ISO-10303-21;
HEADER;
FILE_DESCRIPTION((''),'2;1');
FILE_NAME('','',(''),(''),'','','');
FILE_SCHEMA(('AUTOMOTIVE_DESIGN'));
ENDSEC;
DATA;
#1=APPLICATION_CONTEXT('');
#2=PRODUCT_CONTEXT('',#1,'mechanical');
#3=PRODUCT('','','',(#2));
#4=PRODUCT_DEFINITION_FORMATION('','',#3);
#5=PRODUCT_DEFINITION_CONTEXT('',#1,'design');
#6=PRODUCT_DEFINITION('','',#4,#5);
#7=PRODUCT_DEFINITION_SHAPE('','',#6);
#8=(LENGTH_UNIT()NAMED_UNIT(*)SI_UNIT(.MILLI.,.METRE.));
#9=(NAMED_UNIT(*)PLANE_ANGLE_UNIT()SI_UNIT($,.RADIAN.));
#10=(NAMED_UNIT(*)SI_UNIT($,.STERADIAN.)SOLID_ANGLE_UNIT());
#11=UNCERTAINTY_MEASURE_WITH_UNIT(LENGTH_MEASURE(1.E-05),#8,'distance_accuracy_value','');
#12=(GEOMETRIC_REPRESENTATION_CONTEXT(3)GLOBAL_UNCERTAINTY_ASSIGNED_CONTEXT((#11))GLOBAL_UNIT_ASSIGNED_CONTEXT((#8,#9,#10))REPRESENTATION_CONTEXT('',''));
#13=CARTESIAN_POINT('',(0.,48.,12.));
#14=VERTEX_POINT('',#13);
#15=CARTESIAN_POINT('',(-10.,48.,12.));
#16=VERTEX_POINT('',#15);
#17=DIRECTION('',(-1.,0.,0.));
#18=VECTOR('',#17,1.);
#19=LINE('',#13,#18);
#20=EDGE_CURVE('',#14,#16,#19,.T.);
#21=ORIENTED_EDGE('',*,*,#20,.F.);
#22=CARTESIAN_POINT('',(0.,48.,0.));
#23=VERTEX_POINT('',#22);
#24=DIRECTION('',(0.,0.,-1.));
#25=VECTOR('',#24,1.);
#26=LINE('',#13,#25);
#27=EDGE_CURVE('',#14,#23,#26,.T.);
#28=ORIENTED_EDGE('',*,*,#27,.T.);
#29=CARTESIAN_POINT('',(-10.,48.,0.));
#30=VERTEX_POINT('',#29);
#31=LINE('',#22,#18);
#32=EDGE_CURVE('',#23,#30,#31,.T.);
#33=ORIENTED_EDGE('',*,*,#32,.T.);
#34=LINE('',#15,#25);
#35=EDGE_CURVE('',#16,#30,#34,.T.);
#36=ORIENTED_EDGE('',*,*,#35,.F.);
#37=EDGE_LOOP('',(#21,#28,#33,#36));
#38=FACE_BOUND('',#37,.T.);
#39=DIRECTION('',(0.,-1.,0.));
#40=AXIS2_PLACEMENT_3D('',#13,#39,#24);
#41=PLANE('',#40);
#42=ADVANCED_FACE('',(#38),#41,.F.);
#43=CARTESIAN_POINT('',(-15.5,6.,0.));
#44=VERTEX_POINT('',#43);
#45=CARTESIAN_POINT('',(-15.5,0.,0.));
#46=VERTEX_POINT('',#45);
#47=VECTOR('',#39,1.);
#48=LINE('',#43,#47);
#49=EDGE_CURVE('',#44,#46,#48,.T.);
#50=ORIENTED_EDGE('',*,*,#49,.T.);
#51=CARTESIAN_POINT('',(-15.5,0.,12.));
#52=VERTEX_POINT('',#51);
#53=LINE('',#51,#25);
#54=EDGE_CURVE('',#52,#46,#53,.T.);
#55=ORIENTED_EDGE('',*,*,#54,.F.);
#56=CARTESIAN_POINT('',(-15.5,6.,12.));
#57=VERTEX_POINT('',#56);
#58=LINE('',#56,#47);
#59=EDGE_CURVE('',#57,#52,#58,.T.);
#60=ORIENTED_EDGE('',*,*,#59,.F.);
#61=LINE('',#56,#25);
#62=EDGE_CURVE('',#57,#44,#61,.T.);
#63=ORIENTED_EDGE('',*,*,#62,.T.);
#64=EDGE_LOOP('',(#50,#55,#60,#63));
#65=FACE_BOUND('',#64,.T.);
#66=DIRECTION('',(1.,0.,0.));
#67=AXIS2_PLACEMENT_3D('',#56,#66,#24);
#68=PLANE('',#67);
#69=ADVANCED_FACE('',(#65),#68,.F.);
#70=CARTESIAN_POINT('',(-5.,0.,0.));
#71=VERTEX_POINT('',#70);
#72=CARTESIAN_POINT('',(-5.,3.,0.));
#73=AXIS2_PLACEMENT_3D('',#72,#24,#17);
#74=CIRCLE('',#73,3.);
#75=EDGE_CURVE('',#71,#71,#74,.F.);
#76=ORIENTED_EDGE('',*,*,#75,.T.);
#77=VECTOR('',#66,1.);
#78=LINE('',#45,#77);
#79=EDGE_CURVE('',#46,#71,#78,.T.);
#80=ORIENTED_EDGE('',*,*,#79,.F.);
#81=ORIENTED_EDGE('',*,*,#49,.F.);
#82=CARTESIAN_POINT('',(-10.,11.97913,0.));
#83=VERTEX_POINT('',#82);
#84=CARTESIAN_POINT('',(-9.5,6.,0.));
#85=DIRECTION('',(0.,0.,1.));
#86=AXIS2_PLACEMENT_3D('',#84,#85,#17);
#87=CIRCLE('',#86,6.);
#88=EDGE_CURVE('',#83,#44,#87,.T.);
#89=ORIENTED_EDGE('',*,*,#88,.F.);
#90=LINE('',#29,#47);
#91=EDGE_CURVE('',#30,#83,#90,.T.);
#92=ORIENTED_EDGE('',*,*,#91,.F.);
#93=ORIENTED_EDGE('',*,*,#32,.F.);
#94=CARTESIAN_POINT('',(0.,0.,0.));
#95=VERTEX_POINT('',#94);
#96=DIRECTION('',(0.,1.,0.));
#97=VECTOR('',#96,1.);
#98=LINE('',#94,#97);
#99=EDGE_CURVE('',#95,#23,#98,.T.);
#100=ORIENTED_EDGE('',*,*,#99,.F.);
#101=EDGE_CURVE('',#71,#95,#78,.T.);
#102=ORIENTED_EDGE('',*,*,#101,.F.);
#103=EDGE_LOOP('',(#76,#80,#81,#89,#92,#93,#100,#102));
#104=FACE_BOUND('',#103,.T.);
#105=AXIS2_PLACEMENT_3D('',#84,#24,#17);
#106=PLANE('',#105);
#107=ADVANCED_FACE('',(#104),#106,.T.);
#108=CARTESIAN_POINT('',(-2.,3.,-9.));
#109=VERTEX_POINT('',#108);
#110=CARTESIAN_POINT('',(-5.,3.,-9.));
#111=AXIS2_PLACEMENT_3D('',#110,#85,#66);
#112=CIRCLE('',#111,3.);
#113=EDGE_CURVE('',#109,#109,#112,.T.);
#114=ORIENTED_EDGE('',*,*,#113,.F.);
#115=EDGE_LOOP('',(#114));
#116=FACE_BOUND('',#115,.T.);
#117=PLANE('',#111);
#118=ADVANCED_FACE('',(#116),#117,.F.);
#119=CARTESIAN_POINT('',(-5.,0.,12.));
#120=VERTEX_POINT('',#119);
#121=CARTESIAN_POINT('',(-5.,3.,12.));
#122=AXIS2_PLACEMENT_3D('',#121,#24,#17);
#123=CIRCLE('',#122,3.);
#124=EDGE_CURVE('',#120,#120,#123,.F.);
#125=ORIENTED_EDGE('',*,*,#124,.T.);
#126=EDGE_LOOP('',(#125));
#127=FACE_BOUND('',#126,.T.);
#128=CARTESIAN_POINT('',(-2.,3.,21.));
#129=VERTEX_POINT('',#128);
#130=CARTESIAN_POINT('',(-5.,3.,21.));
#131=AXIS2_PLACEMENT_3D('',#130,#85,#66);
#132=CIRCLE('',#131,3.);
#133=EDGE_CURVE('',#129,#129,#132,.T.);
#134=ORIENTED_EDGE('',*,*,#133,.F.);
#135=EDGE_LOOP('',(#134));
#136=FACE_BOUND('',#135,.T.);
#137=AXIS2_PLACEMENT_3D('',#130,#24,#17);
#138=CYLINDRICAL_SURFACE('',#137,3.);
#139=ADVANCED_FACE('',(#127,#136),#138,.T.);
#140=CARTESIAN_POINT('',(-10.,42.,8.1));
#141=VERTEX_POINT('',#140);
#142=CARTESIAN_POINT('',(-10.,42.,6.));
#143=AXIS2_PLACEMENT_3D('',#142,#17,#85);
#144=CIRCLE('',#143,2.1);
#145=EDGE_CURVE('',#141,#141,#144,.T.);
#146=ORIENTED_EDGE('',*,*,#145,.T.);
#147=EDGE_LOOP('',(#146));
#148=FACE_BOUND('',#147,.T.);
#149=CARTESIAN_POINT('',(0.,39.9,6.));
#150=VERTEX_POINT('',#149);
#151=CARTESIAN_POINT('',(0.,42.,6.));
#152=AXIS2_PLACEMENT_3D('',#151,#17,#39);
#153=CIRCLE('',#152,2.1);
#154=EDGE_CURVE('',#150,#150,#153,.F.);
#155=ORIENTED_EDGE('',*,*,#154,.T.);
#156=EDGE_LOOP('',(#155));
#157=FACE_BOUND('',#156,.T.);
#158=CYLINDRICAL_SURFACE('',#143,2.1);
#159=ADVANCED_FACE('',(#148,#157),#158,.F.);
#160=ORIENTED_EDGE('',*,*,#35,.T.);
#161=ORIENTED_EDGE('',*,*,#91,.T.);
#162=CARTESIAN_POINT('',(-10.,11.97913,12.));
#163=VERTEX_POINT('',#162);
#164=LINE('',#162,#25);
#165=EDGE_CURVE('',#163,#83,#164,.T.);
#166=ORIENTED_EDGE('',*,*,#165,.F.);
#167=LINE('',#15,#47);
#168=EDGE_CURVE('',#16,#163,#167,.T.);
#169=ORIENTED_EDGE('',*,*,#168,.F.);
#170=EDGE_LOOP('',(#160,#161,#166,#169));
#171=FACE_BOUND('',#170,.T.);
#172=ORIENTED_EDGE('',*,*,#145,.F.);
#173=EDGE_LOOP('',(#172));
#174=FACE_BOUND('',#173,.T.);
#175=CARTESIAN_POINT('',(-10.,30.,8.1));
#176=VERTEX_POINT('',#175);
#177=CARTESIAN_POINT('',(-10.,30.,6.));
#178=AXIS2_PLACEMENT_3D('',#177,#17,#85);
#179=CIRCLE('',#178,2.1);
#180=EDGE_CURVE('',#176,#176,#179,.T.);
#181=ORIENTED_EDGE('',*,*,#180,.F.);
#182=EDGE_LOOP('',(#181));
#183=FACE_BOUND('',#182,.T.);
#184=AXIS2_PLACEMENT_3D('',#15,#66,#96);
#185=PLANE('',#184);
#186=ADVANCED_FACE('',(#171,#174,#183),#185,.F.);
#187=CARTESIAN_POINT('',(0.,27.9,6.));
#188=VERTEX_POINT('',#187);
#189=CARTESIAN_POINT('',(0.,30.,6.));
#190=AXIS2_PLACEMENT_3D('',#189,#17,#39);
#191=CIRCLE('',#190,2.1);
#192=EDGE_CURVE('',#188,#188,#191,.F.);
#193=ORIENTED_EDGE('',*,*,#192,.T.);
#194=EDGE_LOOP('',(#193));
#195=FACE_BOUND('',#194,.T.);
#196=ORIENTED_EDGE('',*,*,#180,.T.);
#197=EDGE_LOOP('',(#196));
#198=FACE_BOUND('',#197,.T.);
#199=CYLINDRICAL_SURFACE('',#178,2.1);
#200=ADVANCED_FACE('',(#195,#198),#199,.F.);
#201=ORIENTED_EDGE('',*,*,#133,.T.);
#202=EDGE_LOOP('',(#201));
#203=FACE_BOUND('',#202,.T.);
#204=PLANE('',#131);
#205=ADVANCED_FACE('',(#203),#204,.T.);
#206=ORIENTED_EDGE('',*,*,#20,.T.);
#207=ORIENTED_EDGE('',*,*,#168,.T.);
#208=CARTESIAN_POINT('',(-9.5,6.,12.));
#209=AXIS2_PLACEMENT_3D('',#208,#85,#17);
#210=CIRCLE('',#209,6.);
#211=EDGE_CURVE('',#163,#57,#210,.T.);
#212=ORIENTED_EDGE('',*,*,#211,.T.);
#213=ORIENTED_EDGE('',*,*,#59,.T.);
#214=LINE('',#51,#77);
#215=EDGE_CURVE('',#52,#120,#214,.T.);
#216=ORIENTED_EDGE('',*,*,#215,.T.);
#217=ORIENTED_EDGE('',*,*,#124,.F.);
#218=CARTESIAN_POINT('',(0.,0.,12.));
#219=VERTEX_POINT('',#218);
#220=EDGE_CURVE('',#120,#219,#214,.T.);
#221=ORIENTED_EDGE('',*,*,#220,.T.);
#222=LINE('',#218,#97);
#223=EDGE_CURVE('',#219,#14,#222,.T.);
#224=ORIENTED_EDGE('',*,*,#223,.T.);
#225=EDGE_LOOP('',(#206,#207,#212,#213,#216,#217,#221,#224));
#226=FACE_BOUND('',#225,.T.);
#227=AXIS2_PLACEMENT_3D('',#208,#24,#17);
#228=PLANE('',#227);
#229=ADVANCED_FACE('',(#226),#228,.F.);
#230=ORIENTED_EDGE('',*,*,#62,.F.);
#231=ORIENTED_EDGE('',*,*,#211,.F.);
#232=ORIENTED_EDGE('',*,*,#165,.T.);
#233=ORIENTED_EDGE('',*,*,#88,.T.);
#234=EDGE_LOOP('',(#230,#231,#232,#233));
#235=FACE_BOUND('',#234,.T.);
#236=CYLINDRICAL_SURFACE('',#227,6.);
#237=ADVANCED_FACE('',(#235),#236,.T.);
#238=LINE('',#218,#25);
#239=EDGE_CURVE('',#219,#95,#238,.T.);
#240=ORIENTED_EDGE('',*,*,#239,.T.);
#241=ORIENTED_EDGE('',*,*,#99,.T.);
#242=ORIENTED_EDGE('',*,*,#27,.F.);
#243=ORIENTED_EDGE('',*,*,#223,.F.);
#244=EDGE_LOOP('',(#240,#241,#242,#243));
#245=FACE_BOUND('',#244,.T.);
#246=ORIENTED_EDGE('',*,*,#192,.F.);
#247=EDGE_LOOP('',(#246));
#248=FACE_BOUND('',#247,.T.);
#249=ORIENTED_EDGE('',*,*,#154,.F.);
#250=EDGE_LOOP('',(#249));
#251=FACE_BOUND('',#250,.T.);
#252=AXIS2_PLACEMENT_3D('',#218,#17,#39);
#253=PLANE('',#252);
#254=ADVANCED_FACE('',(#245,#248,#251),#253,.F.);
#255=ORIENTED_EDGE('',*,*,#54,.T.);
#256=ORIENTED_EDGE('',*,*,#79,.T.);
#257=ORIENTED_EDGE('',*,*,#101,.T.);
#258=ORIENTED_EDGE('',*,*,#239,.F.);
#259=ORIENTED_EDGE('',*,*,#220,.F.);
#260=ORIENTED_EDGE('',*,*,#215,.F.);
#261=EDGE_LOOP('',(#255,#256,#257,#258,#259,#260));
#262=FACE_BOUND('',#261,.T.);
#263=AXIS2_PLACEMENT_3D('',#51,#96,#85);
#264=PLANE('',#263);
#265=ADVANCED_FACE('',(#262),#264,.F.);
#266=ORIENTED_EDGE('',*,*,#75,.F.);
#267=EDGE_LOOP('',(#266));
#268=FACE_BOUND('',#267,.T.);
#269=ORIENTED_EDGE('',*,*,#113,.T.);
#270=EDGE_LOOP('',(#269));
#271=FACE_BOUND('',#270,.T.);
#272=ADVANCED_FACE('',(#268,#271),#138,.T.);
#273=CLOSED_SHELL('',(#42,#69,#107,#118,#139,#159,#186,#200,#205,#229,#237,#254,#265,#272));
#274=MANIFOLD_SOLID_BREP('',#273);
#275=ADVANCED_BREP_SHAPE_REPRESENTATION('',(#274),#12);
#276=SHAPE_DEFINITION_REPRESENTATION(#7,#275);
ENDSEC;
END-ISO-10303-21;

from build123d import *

# Parameters (mm, degrees)
BASE_EXTRUDE_DEPTH = 12
SKETCH4_R          = 3
PIVOTPIN_DEPTH     = 15
M5_X_0_8_1_D       = 4.2
M5_X_0_8_1_DEPTH   = 12
M5_X_0_8_1_TIP     = 1.2618073
M5_DRILLED2_D      = 4.2
M5_DRILLED2_DEPTH  = 12
M5_DRILLED2_TIP    = 1.2618073


with BuildPart() as part:
    # Sketch3 → Base-Extrude (new body)
    with BuildSketch(Plane.XY):
        with BuildLine():
            Line((-15.5, 0), (0, 0))
            Line((0, 0), (0, 48))
            Line((0, 48), (-10, 48))
            Line((-10, 48), (-10, 11.979130372))
            ThreePointArc((-10, 11.979130372), (-13.915880433, 10.062019202), (-15.5, 6))
            Line((-15.5, 6), (-15.5, 0))
        make_face()
    extrude(amount=BASE_EXTRUDE_DEPTH)

    # Sketch4 → PivotPin (add, symmetric)
    with BuildSketch(Plane.XY.offset(6)):
        with Locations(Location((-5, 3, 0), (0, 0, 270))):
            Circle(SKETCH4_R)
    extrude(amount=PIVOTPIN_DEPTH, both=True)

    # M5 x 0.8 #1
    with Locations(Plane(origin=(-10, -42.79947187, 57.720392954), x_dir=(0, 0, 1), z_dir=(-1, 0, 0))):
        with Locations((-51.720392954, 84.79947187)):
            Hole(M5_X_0_8_1_D / 2, depth=M5_X_0_8_1_DEPTH)
            with Locations((0, 0, -(M5_X_0_8_1_DEPTH + M5_X_0_8_1_TIP / 2))):  # 118° drill point
                Cone(0, M5_X_0_8_1_D / 2, M5_X_0_8_1_TIP, mode=Mode.SUBTRACT)

    # M5 Drilled2
    with Locations(Plane(origin=(-10, -44.641735567, 57.583928977), x_dir=(0, 0, 1), z_dir=(-1, 0, 0))):
        with Locations((-51.583928977, 74.641735567)):
            Hole(M5_DRILLED2_D / 2, depth=M5_DRILLED2_DEPTH)
            with Locations((0, 0, -(M5_DRILLED2_DEPTH + M5_DRILLED2_TIP / 2))):  # 118° drill point
                Cone(0, M5_DRILLED2_D / 2, M5_DRILLED2_TIP, mode=Mode.SUBTRACT)


solid = part.part
